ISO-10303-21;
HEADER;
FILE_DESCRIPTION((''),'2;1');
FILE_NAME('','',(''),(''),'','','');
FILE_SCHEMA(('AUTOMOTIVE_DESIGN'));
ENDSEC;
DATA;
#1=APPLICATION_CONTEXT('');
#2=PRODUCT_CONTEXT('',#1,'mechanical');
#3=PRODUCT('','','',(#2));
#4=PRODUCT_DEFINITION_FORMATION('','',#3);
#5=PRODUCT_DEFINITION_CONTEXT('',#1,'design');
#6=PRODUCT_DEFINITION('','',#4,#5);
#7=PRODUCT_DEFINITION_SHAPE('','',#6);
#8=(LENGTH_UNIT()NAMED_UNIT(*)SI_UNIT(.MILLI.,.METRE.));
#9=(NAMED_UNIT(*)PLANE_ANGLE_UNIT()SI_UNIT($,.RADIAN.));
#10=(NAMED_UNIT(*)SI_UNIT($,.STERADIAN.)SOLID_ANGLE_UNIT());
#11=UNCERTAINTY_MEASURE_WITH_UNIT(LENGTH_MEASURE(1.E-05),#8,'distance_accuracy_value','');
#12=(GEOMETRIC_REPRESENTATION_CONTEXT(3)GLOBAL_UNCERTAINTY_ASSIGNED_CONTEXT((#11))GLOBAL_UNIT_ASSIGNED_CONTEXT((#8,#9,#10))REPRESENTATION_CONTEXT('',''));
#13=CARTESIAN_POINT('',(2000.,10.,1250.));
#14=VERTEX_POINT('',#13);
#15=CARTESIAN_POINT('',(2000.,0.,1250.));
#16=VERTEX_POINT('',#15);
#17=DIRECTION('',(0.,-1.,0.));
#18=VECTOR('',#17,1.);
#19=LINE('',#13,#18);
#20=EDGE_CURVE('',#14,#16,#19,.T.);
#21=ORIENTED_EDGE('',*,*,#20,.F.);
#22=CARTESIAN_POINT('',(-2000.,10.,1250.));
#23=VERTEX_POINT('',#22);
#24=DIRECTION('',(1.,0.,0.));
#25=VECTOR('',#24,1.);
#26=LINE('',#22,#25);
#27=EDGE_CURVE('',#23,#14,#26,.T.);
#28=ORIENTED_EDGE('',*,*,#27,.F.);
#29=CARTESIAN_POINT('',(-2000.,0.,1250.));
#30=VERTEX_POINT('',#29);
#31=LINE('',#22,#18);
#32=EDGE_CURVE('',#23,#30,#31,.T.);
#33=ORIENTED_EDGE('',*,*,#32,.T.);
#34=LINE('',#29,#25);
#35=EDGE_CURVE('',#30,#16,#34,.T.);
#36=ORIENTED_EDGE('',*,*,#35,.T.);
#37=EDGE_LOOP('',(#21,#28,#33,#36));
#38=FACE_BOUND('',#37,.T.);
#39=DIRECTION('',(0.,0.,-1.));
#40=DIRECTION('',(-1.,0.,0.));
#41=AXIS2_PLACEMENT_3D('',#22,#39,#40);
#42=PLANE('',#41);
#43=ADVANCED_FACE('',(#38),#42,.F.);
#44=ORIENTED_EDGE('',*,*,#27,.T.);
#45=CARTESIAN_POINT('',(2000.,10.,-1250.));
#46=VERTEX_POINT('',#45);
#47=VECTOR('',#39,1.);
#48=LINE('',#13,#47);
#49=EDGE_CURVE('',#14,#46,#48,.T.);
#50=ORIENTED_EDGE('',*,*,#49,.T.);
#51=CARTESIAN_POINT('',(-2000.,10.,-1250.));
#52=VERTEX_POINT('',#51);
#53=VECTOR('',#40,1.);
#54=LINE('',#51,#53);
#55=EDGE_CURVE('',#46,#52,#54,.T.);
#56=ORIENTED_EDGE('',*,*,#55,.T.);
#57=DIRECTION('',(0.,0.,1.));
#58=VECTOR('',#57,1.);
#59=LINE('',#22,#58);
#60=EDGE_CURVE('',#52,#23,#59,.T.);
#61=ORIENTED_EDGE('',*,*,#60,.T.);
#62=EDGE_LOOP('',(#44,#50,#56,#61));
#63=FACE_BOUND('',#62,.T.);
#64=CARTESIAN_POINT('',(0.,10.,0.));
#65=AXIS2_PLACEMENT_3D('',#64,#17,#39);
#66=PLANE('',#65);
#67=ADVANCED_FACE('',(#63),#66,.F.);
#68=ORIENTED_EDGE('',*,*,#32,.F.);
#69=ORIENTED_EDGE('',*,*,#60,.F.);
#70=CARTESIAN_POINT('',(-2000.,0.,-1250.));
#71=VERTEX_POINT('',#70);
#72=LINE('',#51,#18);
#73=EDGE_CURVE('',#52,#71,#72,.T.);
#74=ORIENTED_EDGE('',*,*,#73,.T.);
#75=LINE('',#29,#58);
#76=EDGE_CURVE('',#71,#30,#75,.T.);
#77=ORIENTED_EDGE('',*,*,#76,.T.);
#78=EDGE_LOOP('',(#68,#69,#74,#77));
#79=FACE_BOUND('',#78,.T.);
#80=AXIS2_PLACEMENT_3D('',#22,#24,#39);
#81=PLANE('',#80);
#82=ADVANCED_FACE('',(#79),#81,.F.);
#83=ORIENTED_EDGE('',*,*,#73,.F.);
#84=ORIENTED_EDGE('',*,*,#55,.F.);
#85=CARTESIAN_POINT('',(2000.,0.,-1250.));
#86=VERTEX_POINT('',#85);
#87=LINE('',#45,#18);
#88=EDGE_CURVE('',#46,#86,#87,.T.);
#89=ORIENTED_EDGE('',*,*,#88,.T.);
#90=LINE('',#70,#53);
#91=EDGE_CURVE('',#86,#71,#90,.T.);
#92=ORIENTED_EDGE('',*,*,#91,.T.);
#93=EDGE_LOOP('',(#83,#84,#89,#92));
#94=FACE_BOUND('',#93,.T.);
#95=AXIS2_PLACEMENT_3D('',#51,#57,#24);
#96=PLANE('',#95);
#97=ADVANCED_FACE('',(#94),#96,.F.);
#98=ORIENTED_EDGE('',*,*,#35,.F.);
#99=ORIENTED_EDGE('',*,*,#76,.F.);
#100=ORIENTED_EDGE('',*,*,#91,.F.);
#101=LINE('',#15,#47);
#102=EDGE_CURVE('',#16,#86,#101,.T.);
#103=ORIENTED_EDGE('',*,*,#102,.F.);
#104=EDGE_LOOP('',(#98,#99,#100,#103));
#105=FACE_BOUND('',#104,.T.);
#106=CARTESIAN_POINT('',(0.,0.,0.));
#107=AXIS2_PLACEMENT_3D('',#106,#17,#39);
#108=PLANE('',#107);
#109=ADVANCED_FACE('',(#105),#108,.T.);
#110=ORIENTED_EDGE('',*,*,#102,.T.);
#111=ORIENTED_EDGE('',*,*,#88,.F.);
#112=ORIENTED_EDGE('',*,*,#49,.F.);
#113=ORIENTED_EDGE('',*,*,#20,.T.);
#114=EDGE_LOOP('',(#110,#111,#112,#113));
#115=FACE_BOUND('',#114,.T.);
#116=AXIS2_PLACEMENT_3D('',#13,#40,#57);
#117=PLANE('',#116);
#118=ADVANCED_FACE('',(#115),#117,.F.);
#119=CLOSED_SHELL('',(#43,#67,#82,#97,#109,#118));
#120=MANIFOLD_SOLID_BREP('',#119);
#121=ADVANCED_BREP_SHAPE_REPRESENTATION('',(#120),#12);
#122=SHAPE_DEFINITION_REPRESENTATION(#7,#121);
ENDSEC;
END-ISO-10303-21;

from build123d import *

# Parameters (mm, degrees)
SKETCH_1_W      = 4000
SKETCH_1_H      = 2500
EXTRUDE_1_DEPTH = 10


with BuildPart() as part:
    # 草圖1 → 填料-伸長1 (new body)
    with BuildSketch(Plane(origin=(0, 0, 0), x_dir=(1, 0, 0), z_dir=(0, 1, 0))):
        Rectangle(SKETCH_1_W, SKETCH_1_H)
    extrude(amount=EXTRUDE_1_DEPTH)


solid = part.part
